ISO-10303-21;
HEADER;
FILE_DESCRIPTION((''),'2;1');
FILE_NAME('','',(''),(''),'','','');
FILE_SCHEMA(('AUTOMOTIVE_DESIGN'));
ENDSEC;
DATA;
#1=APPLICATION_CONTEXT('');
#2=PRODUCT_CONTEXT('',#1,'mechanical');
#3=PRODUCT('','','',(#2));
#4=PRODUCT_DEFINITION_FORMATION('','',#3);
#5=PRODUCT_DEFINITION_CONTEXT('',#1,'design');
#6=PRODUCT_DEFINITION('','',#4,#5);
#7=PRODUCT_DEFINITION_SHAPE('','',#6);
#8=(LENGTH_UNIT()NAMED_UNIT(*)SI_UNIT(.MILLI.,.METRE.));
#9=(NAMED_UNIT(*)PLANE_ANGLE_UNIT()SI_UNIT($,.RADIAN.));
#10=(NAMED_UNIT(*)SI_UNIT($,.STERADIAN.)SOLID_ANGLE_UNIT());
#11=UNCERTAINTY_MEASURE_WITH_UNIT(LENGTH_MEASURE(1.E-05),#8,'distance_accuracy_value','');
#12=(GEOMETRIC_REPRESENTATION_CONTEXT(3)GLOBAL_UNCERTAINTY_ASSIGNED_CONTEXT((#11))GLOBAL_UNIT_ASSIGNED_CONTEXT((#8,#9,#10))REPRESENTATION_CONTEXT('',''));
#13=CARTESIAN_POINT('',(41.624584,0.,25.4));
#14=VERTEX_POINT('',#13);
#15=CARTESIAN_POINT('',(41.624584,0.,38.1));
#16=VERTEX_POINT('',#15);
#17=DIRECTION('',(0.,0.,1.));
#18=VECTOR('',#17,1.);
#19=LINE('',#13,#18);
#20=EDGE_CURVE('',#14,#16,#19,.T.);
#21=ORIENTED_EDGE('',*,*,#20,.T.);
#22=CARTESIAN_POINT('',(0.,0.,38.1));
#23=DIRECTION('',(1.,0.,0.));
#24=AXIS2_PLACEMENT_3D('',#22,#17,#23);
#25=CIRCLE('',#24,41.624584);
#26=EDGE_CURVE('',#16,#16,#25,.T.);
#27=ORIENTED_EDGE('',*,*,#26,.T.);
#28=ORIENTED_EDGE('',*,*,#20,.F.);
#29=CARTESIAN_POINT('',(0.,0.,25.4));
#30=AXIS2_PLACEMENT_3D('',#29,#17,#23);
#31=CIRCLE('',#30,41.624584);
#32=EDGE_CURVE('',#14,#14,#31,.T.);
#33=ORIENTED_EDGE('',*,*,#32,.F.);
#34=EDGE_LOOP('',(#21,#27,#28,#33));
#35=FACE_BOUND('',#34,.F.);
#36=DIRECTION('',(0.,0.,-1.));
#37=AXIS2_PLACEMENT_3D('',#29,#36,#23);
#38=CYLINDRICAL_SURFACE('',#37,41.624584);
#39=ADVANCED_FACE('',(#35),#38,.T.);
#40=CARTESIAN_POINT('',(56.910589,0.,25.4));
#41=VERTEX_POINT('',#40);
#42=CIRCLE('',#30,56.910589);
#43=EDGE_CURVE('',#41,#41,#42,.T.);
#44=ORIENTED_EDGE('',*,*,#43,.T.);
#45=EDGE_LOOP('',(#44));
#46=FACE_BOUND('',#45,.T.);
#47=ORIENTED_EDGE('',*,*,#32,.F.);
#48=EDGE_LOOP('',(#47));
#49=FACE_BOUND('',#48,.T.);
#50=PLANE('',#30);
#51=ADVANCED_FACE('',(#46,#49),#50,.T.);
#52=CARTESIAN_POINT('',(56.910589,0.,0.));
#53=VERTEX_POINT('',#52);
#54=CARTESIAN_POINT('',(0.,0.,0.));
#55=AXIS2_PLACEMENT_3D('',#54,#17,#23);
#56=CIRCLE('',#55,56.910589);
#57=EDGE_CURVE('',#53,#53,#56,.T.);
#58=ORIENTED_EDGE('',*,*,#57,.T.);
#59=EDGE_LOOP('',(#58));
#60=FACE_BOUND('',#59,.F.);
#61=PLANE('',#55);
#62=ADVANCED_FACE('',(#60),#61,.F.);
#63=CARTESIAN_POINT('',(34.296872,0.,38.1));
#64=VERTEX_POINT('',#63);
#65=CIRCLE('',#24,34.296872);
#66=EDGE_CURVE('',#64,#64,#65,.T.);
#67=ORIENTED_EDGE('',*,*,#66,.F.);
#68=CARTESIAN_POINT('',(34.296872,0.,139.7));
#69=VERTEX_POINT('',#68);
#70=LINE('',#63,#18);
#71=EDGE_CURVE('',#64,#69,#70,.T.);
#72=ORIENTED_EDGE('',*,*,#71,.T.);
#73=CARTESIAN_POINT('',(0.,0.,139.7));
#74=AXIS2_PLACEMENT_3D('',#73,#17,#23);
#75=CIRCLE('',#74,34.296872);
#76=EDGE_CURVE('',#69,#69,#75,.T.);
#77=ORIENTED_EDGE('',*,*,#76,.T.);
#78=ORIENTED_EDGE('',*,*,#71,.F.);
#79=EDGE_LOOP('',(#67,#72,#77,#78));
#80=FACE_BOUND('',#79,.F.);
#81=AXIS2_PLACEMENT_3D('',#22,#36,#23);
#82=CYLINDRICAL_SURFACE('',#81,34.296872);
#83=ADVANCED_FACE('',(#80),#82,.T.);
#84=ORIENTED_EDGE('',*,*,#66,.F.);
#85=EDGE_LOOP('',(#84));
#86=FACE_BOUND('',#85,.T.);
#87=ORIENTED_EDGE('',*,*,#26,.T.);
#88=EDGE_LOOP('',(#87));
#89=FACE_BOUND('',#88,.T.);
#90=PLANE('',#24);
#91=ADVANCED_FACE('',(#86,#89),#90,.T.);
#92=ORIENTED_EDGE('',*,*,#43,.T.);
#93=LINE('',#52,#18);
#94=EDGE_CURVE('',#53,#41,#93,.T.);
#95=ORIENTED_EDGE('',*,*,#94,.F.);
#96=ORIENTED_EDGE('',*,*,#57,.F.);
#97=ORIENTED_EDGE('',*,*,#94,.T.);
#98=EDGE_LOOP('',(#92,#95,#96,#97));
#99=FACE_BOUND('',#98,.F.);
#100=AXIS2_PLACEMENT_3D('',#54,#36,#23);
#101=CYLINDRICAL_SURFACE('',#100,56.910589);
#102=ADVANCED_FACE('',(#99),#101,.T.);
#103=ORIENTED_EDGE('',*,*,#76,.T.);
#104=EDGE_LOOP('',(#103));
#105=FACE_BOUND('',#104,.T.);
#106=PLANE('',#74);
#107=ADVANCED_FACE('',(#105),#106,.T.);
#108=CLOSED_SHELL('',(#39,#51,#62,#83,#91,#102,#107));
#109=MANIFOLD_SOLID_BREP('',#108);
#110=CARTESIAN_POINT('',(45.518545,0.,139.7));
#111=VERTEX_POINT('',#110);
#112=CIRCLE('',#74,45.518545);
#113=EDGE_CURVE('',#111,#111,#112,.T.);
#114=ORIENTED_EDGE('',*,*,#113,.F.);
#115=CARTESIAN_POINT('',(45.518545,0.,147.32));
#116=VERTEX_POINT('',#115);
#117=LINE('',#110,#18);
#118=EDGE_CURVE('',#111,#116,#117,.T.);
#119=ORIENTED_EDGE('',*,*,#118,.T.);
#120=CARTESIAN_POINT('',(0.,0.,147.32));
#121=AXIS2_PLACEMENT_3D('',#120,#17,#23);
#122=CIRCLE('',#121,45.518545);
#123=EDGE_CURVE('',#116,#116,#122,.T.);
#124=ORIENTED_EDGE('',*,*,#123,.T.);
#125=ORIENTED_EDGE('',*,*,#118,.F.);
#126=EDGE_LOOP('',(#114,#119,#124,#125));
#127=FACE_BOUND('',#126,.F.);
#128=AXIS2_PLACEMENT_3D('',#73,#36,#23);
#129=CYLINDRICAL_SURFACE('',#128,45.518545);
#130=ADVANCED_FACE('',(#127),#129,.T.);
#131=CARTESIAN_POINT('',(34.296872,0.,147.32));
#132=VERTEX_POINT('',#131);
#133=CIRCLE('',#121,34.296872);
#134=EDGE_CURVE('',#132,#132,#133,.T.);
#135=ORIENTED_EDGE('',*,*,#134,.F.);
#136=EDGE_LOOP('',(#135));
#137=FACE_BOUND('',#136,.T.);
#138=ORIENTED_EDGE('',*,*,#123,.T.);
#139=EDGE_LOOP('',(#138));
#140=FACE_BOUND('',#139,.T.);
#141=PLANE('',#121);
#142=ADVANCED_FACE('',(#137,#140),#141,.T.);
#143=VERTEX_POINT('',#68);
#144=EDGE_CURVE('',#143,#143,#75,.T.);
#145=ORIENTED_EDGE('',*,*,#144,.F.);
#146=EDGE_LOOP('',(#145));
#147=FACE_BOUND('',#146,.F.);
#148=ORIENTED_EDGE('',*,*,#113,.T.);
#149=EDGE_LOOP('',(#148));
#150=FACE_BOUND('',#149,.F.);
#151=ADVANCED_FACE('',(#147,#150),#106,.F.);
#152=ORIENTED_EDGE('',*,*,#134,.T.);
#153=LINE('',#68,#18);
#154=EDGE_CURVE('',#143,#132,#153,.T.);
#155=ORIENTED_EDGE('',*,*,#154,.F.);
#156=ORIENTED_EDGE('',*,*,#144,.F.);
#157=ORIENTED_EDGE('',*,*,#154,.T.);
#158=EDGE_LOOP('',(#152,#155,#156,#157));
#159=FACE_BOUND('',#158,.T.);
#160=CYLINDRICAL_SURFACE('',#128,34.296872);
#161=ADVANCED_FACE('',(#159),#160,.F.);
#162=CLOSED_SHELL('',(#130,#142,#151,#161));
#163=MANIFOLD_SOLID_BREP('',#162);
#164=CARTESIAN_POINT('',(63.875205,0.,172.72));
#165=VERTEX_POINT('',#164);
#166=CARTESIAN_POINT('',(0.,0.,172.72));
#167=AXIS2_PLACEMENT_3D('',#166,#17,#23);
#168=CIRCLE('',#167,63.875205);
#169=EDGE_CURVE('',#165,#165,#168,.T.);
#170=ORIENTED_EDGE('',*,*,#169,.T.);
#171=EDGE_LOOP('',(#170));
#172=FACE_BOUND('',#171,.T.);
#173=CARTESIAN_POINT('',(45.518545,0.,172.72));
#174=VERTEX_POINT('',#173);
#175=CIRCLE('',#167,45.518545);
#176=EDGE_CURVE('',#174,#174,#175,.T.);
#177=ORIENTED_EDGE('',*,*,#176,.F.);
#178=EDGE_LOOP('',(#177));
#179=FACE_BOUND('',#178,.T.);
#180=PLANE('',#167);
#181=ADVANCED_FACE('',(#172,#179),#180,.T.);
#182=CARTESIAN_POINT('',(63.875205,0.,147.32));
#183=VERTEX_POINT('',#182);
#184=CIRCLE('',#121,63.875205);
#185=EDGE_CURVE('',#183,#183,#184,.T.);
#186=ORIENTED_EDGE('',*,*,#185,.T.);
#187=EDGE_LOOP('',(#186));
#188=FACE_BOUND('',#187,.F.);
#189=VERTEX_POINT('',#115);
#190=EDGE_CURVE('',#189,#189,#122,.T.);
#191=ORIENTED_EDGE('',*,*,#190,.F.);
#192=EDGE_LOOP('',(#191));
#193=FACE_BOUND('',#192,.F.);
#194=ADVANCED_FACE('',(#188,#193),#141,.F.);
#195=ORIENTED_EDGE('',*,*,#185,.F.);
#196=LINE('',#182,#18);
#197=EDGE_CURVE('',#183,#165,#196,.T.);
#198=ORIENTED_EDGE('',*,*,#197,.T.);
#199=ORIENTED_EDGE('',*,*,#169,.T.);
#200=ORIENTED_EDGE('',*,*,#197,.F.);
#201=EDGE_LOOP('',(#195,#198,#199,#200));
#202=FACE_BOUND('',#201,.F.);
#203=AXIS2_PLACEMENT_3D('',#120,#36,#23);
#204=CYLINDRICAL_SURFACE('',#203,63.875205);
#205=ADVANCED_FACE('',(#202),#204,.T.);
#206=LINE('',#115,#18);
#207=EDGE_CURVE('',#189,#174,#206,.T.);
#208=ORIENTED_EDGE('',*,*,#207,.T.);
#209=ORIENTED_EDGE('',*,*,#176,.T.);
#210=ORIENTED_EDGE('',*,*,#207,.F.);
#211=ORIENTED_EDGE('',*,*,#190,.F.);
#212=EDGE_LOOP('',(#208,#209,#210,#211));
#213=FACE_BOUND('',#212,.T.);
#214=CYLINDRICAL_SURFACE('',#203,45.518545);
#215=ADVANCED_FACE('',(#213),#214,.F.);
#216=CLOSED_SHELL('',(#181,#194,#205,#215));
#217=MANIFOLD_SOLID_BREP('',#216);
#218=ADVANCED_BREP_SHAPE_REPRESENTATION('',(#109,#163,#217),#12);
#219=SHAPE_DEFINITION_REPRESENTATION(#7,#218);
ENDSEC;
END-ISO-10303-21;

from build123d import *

# Parameters (mm, degrees)
F0_R     = 56.9105887924
F1_DEPTH = 25.4
F2_R     = 41.624583829
F3_DEPTH = 12.7
F4_R     = 34.2968724553
F5_DEPTH = 101.6
F6_R     = 45.5185449465
F6_R_2   = 34.2968724553
F7_DEPTH = 7.62
F8_R     = 63.8752045079
F8_R_2   = 45.5185449465
F9_DEPTH = 25.4


with BuildPart() as f1:
    # F0 (on Top) → F1 (new body)
    with BuildSketch(Plane.XY):
        Circle(F0_R)
    extrude(amount=F1_DEPTH)

    # F2 (on face) → F3 (join)
    with BuildSketch(Plane.XY.offset(25.4)):
        Circle(F2_R)
    extrude(amount=F3_DEPTH)

    # F4 (on face) → F5 (join)
    with BuildSketch(Plane.XY.offset(38.1)):
        Circle(F4_R)
    extrude(amount=F5_DEPTH)


with BuildPart() as f7:
    # F6 (on face) → F7 (new body)
    with BuildSketch(Plane.XY.offset(139.7)):
        Circle(F6_R)
        Circle(F6_R_2, mode=Mode.SUBTRACT)
    extrude(amount=F7_DEPTH)


with BuildPart() as f9:
    # F8 (on face) → F9 (new body)
    with BuildSketch(Plane.XY.offset(147.32)):
        Circle(F8_R)
        Circle(F8_R_2, mode=Mode.SUBTRACT)
    extrude(amount=F9_DEPTH)


solid = Compound([f1.part, f7.part, f9.part])
